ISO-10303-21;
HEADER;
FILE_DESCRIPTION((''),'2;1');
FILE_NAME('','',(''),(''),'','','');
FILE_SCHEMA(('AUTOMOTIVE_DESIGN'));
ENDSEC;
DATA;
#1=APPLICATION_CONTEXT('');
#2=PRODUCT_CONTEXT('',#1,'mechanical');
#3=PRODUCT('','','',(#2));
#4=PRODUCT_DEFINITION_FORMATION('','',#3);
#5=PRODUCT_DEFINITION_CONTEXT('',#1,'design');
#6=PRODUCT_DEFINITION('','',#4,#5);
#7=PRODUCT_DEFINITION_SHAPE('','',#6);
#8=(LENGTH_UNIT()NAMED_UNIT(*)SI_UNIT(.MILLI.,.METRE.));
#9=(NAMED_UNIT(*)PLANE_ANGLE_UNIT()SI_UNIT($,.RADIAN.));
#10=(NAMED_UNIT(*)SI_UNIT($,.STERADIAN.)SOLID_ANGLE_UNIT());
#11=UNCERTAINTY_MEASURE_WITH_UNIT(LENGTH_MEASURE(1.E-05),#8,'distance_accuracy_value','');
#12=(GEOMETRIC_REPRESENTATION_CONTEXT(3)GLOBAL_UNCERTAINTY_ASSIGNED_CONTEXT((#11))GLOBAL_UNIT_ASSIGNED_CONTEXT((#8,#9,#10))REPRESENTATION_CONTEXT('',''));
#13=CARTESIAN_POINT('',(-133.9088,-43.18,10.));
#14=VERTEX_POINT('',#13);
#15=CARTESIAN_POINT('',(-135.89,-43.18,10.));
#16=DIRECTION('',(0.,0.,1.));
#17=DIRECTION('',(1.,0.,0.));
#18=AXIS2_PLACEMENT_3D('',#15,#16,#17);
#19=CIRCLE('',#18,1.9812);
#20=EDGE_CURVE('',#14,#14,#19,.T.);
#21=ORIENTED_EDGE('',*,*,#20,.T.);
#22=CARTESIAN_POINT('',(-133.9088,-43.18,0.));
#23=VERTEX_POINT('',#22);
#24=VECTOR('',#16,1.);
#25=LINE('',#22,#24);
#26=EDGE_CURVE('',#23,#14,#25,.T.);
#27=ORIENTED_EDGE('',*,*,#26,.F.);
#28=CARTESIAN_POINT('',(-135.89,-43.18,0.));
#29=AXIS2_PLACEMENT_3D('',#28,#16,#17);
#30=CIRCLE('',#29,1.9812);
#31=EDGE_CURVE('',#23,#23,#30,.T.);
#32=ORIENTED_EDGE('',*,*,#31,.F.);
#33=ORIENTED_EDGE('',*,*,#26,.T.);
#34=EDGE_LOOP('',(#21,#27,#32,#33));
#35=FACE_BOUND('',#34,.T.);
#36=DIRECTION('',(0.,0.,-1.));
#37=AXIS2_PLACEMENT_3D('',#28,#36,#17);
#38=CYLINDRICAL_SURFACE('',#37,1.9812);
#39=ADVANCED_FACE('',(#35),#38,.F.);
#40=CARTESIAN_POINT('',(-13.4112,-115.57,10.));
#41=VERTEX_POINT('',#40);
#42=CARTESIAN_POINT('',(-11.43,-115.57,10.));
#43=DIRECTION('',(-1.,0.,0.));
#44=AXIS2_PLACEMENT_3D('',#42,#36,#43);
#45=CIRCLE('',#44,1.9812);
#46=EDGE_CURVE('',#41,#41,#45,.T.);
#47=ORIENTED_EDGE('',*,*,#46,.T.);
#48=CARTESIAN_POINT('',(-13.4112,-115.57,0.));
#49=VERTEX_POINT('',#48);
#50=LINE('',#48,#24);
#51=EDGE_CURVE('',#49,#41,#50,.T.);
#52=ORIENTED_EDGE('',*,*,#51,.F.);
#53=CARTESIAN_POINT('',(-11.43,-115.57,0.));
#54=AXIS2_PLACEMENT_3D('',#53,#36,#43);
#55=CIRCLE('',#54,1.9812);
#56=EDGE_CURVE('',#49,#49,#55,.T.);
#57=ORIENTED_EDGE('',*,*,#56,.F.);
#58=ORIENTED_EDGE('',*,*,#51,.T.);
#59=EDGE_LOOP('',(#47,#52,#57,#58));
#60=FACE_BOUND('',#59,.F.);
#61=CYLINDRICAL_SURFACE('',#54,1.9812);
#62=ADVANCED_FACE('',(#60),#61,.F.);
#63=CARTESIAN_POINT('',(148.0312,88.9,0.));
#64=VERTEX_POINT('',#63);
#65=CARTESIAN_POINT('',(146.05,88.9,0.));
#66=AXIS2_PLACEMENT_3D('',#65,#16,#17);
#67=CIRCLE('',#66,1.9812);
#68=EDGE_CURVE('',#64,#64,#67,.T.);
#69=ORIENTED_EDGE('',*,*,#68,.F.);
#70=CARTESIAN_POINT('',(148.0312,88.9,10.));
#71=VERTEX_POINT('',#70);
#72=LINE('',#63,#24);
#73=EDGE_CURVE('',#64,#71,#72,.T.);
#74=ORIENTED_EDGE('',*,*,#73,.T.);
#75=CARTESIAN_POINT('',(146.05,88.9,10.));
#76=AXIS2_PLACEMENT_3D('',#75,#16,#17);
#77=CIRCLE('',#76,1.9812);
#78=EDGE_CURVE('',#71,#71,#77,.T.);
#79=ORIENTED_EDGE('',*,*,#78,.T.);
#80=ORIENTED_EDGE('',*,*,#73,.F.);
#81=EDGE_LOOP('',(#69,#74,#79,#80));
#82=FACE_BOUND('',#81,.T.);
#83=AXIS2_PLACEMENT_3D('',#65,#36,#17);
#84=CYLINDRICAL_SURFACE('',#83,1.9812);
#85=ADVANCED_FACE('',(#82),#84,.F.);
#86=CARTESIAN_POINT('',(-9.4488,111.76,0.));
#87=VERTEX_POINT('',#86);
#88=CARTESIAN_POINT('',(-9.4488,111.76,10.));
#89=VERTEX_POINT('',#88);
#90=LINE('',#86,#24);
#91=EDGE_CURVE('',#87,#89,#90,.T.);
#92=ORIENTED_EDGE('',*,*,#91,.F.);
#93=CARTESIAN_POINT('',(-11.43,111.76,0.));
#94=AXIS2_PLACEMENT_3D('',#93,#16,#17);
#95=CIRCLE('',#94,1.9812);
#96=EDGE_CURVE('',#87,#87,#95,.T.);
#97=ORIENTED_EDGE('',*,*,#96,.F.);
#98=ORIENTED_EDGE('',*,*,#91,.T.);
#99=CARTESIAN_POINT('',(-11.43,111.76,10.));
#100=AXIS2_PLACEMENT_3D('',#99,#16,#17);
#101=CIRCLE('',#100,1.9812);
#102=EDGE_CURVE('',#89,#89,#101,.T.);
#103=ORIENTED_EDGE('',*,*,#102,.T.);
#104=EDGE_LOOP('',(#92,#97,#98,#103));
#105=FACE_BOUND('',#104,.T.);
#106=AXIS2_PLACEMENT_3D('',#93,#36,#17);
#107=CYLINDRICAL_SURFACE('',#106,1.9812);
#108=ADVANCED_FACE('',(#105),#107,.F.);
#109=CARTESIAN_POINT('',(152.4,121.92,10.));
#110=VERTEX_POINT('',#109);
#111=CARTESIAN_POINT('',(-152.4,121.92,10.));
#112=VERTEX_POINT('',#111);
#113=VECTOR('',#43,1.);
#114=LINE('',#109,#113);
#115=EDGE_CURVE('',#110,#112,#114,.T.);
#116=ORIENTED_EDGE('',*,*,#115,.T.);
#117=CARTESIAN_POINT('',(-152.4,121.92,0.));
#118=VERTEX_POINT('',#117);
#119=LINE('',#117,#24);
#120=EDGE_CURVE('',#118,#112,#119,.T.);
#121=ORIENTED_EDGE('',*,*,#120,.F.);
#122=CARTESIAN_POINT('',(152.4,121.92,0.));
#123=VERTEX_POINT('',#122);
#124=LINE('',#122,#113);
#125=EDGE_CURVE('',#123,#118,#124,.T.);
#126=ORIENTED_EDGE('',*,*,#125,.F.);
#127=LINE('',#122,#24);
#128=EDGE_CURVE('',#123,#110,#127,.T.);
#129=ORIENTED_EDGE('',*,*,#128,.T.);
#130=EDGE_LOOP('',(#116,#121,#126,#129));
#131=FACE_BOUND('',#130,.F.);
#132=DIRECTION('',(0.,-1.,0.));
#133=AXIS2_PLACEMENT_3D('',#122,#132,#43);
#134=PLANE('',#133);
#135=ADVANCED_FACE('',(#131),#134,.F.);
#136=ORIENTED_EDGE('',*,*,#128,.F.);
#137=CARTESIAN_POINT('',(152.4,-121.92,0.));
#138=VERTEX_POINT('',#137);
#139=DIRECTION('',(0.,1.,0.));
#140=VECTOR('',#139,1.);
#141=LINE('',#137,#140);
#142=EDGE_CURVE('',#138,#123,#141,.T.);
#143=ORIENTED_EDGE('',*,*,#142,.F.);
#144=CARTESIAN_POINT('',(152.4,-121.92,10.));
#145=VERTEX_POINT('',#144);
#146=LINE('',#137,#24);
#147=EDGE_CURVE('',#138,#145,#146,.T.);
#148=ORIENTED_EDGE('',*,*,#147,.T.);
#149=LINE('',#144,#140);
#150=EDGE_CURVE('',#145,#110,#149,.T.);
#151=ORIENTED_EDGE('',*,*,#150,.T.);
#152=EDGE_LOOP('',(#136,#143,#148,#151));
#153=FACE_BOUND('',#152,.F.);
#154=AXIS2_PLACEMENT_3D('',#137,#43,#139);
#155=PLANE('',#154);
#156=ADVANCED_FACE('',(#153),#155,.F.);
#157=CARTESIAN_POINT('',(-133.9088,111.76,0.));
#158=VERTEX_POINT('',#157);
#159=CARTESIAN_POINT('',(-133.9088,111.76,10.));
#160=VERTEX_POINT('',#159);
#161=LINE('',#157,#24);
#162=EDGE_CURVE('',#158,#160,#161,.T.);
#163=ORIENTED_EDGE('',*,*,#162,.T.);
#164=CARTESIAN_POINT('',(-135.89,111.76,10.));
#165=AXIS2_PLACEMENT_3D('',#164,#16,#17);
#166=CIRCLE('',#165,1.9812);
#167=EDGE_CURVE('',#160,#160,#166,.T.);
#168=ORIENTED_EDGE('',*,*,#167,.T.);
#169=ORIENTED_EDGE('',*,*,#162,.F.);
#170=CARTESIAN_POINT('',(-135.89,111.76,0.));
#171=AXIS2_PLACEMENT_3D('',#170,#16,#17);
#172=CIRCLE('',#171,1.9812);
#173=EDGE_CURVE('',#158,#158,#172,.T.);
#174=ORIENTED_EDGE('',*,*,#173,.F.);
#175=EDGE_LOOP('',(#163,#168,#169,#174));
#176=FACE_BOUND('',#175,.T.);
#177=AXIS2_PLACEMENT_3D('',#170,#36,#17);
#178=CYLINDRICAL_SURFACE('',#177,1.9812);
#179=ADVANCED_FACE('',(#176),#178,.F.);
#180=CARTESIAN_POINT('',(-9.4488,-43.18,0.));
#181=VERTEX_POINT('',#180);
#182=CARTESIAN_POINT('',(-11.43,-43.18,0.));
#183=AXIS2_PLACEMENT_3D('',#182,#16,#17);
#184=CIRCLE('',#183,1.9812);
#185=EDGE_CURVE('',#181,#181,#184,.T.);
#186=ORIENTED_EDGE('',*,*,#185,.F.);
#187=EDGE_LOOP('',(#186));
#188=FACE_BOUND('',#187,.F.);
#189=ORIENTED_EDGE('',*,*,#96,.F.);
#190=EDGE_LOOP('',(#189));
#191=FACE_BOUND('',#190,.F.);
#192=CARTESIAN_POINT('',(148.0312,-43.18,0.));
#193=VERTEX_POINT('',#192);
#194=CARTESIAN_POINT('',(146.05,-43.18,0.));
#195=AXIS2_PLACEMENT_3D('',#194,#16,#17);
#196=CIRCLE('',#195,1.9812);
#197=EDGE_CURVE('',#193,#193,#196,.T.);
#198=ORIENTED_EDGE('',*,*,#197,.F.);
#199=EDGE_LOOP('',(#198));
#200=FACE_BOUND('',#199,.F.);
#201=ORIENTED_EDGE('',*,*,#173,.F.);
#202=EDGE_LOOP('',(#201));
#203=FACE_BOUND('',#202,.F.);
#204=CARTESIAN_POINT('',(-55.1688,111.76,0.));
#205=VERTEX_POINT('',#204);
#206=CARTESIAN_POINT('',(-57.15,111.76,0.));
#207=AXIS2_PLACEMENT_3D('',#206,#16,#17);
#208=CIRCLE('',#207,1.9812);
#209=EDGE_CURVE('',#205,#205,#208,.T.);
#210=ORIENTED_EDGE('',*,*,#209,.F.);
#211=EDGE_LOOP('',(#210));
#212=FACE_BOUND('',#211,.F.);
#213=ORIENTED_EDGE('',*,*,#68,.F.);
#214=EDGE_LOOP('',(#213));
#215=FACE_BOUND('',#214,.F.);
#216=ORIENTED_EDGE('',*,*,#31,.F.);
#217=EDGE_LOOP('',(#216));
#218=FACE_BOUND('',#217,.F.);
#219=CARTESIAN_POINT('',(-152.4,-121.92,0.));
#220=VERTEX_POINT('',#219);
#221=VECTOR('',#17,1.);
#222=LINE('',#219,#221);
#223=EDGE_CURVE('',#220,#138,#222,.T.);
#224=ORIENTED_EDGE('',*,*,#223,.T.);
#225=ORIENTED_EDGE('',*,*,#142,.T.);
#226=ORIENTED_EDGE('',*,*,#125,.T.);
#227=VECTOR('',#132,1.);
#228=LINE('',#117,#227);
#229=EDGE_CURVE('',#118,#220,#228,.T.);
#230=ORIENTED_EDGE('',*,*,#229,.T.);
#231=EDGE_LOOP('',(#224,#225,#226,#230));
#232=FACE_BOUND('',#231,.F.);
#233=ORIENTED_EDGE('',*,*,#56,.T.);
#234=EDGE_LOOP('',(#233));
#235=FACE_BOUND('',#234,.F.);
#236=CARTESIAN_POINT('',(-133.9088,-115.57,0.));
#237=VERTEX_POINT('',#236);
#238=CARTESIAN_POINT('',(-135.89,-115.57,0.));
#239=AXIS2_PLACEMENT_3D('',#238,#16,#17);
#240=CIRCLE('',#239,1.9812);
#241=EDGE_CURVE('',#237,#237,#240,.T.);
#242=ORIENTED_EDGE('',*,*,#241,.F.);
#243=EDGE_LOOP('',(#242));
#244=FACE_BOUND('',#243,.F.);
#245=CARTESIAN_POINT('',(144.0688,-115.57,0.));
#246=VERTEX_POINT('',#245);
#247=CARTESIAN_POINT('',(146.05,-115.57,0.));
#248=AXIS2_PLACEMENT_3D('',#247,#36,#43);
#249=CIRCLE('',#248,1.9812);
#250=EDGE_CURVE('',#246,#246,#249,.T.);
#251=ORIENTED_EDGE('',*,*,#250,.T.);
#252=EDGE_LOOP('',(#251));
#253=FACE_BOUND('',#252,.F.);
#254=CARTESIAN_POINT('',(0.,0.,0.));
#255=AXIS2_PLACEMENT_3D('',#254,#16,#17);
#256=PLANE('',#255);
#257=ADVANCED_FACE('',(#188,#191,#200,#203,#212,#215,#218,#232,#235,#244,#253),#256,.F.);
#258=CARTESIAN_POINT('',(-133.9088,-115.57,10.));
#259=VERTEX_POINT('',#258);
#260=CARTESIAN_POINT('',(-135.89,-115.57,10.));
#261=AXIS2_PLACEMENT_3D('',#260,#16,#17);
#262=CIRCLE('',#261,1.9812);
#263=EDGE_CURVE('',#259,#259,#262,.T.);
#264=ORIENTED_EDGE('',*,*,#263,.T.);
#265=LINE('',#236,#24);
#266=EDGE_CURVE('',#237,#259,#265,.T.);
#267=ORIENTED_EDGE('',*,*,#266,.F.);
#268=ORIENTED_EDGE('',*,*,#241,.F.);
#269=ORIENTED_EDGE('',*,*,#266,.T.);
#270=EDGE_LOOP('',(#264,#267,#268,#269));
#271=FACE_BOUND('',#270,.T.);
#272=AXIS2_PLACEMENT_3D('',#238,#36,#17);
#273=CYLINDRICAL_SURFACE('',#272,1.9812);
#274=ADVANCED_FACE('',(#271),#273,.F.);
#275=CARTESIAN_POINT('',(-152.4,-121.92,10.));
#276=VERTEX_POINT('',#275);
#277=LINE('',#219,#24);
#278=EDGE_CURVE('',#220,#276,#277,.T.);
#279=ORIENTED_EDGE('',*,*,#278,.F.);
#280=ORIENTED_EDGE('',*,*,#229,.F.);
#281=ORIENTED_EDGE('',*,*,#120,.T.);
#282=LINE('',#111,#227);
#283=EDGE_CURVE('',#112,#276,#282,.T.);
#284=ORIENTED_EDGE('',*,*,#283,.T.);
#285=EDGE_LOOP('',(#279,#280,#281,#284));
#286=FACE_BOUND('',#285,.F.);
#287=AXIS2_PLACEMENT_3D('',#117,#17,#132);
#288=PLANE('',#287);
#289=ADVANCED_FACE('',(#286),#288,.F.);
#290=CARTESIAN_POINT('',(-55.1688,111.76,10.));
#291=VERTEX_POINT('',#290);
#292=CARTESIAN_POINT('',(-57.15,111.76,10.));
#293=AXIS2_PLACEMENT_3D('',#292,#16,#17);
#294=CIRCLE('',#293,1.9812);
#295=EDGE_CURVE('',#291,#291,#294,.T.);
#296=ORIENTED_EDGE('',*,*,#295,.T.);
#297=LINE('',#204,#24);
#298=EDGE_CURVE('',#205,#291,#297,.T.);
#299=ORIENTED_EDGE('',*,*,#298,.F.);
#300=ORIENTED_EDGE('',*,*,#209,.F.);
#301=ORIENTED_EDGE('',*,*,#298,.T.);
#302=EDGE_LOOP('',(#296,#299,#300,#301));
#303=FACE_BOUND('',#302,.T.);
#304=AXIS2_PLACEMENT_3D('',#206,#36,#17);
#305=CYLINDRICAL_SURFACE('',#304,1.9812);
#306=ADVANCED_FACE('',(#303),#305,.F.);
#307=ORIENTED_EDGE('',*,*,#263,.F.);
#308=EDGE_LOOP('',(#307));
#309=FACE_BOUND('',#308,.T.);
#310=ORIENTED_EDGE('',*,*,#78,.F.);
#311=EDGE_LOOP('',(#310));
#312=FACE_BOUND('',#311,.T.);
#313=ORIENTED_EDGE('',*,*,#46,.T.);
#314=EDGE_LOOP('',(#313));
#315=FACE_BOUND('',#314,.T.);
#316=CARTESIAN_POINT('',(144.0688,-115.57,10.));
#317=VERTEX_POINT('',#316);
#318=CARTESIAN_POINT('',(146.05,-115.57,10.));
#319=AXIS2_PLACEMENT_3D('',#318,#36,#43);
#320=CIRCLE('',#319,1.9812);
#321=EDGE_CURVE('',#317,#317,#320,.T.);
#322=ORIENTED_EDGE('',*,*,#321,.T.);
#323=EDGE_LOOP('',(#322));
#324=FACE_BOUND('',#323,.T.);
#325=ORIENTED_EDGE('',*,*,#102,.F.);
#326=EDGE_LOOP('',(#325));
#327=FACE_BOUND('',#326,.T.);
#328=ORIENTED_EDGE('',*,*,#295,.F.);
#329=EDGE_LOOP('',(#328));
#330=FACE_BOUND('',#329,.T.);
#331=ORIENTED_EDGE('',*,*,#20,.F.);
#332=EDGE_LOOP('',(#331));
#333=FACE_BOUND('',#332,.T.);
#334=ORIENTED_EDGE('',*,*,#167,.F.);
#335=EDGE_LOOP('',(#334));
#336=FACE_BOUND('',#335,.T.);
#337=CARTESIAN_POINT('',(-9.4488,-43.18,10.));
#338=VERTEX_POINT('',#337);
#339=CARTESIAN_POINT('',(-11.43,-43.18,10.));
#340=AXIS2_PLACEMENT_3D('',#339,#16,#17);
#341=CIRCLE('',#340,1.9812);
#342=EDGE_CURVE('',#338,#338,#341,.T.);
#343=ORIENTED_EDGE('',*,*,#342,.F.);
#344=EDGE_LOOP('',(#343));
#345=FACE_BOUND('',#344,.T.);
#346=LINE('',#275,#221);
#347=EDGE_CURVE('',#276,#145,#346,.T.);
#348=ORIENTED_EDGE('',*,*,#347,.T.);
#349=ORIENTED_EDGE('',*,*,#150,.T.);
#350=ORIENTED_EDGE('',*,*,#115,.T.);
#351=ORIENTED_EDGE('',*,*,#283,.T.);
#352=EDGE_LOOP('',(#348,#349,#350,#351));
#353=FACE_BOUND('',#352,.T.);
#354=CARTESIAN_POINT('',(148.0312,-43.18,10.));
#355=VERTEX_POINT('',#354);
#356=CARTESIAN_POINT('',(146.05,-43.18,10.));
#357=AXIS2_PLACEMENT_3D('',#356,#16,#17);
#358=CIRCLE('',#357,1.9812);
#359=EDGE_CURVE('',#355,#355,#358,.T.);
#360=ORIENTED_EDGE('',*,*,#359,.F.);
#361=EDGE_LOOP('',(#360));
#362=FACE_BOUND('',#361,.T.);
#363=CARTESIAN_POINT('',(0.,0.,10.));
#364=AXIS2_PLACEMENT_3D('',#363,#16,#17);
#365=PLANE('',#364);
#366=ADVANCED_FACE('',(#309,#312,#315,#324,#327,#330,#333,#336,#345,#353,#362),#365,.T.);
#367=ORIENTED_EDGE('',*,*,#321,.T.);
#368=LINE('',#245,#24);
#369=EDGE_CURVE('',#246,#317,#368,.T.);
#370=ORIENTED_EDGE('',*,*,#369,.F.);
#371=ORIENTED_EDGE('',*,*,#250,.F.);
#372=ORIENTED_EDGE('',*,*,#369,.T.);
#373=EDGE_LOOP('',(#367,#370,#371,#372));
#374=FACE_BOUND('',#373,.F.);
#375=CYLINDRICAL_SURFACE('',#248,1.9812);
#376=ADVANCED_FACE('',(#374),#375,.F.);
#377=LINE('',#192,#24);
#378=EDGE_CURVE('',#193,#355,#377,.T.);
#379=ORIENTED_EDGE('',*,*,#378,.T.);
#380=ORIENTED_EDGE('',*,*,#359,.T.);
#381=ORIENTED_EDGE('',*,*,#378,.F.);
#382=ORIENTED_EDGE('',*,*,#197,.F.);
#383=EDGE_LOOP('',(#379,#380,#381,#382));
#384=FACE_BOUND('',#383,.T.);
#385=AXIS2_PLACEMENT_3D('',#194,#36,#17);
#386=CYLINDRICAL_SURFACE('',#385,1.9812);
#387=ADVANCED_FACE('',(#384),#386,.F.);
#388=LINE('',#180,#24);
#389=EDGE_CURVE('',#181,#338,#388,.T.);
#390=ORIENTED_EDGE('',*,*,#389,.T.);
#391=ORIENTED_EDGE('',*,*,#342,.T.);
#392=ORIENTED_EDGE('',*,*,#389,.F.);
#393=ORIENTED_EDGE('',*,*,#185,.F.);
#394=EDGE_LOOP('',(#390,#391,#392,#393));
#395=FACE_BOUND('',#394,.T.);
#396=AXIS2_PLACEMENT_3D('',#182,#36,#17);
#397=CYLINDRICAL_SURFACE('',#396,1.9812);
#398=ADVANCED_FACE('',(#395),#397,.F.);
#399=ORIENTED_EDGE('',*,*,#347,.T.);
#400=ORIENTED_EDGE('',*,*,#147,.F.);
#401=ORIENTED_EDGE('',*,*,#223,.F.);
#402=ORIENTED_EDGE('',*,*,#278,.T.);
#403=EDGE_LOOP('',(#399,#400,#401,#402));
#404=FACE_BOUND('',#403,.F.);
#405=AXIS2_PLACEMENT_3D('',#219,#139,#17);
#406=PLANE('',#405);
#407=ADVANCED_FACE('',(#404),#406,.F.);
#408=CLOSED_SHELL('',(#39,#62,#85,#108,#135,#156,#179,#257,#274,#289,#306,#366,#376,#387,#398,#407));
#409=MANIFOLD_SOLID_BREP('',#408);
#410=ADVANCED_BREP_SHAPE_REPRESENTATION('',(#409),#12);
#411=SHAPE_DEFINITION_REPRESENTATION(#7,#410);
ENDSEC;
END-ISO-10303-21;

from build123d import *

# Parameters (mm, degrees)
F0_R     = 1.9812
F1_DEPTH = 10


with BuildPart() as f1:
    # F0 (on Top) → F1 (new body)
    with BuildSketch(Plane.XY):
        Polygon((-152.4, -121.92), (152.4, -121.92), (152.4, 121.92), (-135.89, 121.92), (-152.4, 121.92), align=None)
        with Locations((-135.89, -115.57)):
            Circle(F0_R, mode=Mode.SUBTRACT)
        with BuildLine():
            ThreePointArc((-9.4488, -115.57), (-11.43, -117.5512), (-13.4112, -115.57))
            ThreePointArc((-13.4112, -115.57), (-11.43, -113.5888), (-9.4488, -115.57))
        make_face(mode=Mode.SUBTRACT)
        with Locations((-135.89, -43.18)):
            Circle(F0_R, mode=Mode.SUBTRACT)
        with Locations((-11.43, -43.18)):
            Circle(F0_R, mode=Mode.SUBTRACT)
        with BuildLine():
            ThreePointArc((148.0312, -115.57), (146.05, -117.5512), (144.0688, -115.57))
            ThreePointArc((144.0688, -115.57), (146.05, -113.5888), (148.0312, -115.57))
        make_face(mode=Mode.SUBTRACT)
        with Locations((146.05, -43.18)):
            Circle(F0_R, mode=Mode.SUBTRACT)
        with Locations((-135.89, 111.76)):
            Circle(F0_R, mode=Mode.SUBTRACT)
        with Locations((-57.15, 111.76)):
            Circle(F0_R, mode=Mode.SUBTRACT)
        with Locations((-11.43, 111.76)):
            Circle(F0_R, mode=Mode.SUBTRACT)
        with Locations((146.05, 88.9)):
            Circle(F0_R, mode=Mode.SUBTRACT)
    extrude(amount=F1_DEPTH)


solid = f1.part
